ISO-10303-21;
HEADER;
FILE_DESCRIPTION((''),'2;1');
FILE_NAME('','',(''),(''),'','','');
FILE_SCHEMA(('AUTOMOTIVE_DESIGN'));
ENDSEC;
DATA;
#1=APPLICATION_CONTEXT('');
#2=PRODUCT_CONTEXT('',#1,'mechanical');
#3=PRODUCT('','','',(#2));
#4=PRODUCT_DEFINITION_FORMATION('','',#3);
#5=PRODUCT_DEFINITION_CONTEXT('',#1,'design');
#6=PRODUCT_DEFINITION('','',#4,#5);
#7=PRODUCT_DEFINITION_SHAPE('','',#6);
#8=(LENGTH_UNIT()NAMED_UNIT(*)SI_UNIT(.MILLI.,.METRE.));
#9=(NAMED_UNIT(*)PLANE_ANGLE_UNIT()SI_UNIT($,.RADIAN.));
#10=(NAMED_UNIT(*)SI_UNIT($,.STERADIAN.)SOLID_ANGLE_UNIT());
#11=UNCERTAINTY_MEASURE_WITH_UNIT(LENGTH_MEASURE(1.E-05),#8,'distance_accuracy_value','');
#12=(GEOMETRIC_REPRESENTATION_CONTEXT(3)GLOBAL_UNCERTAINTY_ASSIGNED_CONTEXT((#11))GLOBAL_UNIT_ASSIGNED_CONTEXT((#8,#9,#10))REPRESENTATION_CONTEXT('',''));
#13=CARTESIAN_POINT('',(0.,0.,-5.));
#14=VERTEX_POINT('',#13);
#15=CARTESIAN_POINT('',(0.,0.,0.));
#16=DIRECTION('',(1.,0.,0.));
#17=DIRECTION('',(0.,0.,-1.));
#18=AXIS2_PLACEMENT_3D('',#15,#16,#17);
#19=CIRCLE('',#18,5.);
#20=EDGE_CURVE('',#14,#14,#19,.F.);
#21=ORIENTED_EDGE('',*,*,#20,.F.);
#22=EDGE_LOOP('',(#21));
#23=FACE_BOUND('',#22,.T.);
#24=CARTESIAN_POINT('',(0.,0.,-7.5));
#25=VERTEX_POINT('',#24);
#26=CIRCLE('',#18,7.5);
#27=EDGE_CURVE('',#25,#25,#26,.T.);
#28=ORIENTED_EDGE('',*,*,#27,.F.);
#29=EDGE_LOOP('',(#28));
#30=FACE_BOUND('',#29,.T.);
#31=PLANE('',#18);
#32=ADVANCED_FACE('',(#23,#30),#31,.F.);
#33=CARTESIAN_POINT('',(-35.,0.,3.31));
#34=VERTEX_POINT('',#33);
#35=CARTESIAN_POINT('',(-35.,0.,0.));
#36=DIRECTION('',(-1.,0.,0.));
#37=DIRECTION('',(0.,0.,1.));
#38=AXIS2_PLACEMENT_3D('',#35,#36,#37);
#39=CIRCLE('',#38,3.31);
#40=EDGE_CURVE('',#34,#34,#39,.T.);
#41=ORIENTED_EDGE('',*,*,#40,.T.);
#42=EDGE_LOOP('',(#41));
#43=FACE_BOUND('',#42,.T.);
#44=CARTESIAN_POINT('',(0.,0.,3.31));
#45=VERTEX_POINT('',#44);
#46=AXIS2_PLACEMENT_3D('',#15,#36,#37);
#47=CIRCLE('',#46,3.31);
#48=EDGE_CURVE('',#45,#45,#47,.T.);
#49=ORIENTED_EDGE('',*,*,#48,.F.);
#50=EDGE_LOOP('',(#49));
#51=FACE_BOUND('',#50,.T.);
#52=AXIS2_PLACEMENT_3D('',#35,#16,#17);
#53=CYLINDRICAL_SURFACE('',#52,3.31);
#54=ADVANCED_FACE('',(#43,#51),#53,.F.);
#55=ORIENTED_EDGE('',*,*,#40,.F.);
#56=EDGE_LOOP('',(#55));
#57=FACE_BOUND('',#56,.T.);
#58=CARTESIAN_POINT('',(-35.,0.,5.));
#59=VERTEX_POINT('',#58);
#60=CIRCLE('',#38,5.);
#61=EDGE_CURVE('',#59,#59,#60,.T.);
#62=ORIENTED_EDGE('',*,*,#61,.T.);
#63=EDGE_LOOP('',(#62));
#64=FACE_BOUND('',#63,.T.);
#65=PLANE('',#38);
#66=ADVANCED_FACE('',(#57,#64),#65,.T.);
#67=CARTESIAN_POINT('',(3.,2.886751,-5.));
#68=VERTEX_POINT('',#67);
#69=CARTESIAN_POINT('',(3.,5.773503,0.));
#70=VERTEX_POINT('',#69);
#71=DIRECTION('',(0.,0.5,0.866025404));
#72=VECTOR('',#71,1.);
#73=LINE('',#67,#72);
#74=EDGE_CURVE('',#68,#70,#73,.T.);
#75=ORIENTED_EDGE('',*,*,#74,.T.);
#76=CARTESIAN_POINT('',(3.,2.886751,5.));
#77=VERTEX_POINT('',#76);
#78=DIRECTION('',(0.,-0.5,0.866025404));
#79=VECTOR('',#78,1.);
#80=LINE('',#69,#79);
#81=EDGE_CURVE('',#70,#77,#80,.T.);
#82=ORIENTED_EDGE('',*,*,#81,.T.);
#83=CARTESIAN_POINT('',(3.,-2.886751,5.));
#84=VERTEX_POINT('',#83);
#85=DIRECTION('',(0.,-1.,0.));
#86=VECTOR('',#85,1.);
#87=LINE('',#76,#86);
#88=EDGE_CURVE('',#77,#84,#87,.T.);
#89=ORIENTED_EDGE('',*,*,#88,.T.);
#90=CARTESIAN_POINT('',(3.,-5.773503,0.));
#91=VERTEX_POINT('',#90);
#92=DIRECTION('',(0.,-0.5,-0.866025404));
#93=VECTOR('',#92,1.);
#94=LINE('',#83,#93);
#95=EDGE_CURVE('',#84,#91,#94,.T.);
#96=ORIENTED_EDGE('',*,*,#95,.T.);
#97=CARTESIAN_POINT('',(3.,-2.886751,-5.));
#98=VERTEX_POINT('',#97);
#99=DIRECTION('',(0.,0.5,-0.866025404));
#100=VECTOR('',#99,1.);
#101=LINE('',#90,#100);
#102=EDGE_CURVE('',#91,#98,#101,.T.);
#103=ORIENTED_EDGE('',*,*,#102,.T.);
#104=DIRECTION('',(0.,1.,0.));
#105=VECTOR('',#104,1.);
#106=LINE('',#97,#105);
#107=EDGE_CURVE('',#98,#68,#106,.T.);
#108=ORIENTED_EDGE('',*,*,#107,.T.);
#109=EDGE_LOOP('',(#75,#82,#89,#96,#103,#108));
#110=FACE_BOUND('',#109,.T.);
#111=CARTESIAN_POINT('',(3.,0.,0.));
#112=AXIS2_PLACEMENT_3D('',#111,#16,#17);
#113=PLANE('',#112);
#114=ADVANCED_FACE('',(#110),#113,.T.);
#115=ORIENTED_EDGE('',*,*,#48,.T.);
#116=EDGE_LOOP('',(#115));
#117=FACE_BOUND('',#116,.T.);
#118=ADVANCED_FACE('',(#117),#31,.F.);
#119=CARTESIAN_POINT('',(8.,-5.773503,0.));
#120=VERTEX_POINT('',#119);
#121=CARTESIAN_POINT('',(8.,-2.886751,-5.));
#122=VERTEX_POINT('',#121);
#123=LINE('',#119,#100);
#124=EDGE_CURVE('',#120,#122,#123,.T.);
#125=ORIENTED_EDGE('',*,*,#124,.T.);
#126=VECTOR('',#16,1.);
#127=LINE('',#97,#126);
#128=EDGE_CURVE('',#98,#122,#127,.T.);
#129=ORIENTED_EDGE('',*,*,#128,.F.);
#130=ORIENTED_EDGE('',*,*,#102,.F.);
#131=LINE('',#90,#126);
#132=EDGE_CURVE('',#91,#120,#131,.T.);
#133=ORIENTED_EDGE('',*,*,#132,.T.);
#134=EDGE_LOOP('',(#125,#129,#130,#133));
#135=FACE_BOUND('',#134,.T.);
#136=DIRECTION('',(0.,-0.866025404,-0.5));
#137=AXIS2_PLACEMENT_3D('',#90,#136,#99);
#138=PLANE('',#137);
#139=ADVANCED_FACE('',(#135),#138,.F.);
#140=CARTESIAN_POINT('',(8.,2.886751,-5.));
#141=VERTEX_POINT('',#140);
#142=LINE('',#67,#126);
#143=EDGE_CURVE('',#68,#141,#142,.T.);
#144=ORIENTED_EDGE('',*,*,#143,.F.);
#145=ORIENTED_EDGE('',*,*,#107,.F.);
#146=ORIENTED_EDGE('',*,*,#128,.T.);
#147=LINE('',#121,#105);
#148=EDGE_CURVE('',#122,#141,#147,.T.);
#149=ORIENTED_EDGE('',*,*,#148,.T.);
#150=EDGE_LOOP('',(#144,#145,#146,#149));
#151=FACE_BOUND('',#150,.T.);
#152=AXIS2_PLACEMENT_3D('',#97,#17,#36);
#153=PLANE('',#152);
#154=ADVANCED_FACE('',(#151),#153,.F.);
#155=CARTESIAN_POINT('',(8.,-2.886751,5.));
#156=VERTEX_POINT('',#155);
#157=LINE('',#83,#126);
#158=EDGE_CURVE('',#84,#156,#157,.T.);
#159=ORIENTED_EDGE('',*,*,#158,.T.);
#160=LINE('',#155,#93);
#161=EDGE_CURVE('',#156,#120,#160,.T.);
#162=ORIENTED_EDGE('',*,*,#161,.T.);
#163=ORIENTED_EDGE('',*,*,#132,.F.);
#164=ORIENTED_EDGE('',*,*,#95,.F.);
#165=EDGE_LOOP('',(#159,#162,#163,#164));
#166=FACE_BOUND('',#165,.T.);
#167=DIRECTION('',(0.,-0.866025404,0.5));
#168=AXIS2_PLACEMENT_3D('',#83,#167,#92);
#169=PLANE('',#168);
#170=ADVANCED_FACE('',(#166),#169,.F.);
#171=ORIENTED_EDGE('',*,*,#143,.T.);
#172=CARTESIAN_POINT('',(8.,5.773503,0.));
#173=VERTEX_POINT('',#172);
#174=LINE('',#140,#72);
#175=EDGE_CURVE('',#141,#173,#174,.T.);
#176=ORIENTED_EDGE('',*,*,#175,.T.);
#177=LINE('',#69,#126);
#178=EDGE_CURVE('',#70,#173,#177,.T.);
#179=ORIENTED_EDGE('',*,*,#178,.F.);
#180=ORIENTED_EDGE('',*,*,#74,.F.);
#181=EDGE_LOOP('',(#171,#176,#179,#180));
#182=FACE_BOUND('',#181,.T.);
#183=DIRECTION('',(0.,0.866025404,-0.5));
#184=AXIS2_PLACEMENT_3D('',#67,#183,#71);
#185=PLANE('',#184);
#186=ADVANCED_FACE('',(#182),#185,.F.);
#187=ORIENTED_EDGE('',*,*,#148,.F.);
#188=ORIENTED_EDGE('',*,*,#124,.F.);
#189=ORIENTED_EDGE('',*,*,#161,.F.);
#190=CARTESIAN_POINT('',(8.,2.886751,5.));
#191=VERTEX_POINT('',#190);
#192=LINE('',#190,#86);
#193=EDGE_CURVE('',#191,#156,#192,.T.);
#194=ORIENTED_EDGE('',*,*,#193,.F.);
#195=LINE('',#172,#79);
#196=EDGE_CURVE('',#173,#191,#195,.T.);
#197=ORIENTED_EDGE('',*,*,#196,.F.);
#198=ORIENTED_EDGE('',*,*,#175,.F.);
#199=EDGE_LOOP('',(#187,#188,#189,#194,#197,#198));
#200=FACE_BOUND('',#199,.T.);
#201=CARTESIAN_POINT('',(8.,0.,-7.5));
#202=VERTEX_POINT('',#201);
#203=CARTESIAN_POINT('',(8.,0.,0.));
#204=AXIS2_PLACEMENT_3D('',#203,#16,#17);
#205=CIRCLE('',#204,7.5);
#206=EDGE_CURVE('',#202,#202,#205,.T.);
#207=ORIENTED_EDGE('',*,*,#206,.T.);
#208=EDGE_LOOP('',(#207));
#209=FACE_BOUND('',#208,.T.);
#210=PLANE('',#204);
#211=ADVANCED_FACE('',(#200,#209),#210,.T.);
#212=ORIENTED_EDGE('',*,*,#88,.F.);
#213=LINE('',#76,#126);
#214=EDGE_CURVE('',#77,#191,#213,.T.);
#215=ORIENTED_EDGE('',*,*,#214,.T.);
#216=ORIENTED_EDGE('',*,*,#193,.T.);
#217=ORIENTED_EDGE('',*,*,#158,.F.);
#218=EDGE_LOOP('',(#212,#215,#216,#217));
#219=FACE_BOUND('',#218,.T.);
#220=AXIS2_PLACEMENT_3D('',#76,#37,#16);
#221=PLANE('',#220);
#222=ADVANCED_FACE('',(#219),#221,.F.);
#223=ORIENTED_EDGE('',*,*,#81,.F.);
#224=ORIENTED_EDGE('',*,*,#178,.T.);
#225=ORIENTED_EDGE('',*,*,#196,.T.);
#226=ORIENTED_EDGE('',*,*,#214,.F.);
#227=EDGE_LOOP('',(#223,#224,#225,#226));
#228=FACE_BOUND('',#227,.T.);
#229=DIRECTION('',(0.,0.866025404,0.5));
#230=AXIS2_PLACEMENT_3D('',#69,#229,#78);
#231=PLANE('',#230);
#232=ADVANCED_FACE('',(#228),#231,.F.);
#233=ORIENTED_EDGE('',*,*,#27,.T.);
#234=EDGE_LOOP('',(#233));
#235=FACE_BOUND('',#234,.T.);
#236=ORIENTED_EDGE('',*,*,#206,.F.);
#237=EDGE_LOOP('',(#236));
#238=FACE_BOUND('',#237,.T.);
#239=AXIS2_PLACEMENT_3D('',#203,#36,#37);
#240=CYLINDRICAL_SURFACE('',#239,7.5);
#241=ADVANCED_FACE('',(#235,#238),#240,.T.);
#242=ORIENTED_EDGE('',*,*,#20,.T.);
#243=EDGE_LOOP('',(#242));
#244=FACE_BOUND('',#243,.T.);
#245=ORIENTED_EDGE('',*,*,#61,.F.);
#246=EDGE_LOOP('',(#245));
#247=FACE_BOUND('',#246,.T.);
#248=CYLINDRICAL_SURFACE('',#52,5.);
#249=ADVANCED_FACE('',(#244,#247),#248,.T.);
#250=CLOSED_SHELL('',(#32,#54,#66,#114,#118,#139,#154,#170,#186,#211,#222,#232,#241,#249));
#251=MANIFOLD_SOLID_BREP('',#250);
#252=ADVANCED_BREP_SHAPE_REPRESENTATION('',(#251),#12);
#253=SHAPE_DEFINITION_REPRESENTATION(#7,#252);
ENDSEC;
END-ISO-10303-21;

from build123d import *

# Parameters (mm, degrees)
SKETCH1_R           = 7.5
BOSS_EXTRUDE1_DEPTH = 8
CUT_EXTRUDE1_DEPTH  = 5
SKETCH3_R           = 5
SKETCH3_R_2         = 3.31
EXTRUDE_THIN1_DEPTH = 35


with BuildPart() as part:
    # Sketch1 → Boss-Extrude1 (new body)
    with BuildSketch(Plane(origin=(0, 0, 0), x_dir=(0, 0, -1), z_dir=(1, 0, 0))):
        Circle(SKETCH1_R)
    extrude(amount=BOSS_EXTRUDE1_DEPTH)

    # Sketch2 → Cut-Extrude1 (cut)
    with BuildSketch(Plane(origin=(8, 0, 0), x_dir=(0, 0, -1), z_dir=(1, 0, 0))):
        Polygon((0, -5.773502692), (5, -2.886751346), (5, 2.886751346), (0, 5.773502692), (-5, 2.886751346), (-5, -2.886751346), align=None)
    extrude(amount=-CUT_EXTRUDE1_DEPTH, mode=Mode.SUBTRACT)

    # Sketch3 → Extrude-Thin1 (add)
    with BuildSketch(Plane.ZY):
        Circle(SKETCH3_R)
        Circle(SKETCH3_R_2, mode=Mode.SUBTRACT)
    extrude(amount=EXTRUDE_THIN1_DEPTH)


solid = part.part
